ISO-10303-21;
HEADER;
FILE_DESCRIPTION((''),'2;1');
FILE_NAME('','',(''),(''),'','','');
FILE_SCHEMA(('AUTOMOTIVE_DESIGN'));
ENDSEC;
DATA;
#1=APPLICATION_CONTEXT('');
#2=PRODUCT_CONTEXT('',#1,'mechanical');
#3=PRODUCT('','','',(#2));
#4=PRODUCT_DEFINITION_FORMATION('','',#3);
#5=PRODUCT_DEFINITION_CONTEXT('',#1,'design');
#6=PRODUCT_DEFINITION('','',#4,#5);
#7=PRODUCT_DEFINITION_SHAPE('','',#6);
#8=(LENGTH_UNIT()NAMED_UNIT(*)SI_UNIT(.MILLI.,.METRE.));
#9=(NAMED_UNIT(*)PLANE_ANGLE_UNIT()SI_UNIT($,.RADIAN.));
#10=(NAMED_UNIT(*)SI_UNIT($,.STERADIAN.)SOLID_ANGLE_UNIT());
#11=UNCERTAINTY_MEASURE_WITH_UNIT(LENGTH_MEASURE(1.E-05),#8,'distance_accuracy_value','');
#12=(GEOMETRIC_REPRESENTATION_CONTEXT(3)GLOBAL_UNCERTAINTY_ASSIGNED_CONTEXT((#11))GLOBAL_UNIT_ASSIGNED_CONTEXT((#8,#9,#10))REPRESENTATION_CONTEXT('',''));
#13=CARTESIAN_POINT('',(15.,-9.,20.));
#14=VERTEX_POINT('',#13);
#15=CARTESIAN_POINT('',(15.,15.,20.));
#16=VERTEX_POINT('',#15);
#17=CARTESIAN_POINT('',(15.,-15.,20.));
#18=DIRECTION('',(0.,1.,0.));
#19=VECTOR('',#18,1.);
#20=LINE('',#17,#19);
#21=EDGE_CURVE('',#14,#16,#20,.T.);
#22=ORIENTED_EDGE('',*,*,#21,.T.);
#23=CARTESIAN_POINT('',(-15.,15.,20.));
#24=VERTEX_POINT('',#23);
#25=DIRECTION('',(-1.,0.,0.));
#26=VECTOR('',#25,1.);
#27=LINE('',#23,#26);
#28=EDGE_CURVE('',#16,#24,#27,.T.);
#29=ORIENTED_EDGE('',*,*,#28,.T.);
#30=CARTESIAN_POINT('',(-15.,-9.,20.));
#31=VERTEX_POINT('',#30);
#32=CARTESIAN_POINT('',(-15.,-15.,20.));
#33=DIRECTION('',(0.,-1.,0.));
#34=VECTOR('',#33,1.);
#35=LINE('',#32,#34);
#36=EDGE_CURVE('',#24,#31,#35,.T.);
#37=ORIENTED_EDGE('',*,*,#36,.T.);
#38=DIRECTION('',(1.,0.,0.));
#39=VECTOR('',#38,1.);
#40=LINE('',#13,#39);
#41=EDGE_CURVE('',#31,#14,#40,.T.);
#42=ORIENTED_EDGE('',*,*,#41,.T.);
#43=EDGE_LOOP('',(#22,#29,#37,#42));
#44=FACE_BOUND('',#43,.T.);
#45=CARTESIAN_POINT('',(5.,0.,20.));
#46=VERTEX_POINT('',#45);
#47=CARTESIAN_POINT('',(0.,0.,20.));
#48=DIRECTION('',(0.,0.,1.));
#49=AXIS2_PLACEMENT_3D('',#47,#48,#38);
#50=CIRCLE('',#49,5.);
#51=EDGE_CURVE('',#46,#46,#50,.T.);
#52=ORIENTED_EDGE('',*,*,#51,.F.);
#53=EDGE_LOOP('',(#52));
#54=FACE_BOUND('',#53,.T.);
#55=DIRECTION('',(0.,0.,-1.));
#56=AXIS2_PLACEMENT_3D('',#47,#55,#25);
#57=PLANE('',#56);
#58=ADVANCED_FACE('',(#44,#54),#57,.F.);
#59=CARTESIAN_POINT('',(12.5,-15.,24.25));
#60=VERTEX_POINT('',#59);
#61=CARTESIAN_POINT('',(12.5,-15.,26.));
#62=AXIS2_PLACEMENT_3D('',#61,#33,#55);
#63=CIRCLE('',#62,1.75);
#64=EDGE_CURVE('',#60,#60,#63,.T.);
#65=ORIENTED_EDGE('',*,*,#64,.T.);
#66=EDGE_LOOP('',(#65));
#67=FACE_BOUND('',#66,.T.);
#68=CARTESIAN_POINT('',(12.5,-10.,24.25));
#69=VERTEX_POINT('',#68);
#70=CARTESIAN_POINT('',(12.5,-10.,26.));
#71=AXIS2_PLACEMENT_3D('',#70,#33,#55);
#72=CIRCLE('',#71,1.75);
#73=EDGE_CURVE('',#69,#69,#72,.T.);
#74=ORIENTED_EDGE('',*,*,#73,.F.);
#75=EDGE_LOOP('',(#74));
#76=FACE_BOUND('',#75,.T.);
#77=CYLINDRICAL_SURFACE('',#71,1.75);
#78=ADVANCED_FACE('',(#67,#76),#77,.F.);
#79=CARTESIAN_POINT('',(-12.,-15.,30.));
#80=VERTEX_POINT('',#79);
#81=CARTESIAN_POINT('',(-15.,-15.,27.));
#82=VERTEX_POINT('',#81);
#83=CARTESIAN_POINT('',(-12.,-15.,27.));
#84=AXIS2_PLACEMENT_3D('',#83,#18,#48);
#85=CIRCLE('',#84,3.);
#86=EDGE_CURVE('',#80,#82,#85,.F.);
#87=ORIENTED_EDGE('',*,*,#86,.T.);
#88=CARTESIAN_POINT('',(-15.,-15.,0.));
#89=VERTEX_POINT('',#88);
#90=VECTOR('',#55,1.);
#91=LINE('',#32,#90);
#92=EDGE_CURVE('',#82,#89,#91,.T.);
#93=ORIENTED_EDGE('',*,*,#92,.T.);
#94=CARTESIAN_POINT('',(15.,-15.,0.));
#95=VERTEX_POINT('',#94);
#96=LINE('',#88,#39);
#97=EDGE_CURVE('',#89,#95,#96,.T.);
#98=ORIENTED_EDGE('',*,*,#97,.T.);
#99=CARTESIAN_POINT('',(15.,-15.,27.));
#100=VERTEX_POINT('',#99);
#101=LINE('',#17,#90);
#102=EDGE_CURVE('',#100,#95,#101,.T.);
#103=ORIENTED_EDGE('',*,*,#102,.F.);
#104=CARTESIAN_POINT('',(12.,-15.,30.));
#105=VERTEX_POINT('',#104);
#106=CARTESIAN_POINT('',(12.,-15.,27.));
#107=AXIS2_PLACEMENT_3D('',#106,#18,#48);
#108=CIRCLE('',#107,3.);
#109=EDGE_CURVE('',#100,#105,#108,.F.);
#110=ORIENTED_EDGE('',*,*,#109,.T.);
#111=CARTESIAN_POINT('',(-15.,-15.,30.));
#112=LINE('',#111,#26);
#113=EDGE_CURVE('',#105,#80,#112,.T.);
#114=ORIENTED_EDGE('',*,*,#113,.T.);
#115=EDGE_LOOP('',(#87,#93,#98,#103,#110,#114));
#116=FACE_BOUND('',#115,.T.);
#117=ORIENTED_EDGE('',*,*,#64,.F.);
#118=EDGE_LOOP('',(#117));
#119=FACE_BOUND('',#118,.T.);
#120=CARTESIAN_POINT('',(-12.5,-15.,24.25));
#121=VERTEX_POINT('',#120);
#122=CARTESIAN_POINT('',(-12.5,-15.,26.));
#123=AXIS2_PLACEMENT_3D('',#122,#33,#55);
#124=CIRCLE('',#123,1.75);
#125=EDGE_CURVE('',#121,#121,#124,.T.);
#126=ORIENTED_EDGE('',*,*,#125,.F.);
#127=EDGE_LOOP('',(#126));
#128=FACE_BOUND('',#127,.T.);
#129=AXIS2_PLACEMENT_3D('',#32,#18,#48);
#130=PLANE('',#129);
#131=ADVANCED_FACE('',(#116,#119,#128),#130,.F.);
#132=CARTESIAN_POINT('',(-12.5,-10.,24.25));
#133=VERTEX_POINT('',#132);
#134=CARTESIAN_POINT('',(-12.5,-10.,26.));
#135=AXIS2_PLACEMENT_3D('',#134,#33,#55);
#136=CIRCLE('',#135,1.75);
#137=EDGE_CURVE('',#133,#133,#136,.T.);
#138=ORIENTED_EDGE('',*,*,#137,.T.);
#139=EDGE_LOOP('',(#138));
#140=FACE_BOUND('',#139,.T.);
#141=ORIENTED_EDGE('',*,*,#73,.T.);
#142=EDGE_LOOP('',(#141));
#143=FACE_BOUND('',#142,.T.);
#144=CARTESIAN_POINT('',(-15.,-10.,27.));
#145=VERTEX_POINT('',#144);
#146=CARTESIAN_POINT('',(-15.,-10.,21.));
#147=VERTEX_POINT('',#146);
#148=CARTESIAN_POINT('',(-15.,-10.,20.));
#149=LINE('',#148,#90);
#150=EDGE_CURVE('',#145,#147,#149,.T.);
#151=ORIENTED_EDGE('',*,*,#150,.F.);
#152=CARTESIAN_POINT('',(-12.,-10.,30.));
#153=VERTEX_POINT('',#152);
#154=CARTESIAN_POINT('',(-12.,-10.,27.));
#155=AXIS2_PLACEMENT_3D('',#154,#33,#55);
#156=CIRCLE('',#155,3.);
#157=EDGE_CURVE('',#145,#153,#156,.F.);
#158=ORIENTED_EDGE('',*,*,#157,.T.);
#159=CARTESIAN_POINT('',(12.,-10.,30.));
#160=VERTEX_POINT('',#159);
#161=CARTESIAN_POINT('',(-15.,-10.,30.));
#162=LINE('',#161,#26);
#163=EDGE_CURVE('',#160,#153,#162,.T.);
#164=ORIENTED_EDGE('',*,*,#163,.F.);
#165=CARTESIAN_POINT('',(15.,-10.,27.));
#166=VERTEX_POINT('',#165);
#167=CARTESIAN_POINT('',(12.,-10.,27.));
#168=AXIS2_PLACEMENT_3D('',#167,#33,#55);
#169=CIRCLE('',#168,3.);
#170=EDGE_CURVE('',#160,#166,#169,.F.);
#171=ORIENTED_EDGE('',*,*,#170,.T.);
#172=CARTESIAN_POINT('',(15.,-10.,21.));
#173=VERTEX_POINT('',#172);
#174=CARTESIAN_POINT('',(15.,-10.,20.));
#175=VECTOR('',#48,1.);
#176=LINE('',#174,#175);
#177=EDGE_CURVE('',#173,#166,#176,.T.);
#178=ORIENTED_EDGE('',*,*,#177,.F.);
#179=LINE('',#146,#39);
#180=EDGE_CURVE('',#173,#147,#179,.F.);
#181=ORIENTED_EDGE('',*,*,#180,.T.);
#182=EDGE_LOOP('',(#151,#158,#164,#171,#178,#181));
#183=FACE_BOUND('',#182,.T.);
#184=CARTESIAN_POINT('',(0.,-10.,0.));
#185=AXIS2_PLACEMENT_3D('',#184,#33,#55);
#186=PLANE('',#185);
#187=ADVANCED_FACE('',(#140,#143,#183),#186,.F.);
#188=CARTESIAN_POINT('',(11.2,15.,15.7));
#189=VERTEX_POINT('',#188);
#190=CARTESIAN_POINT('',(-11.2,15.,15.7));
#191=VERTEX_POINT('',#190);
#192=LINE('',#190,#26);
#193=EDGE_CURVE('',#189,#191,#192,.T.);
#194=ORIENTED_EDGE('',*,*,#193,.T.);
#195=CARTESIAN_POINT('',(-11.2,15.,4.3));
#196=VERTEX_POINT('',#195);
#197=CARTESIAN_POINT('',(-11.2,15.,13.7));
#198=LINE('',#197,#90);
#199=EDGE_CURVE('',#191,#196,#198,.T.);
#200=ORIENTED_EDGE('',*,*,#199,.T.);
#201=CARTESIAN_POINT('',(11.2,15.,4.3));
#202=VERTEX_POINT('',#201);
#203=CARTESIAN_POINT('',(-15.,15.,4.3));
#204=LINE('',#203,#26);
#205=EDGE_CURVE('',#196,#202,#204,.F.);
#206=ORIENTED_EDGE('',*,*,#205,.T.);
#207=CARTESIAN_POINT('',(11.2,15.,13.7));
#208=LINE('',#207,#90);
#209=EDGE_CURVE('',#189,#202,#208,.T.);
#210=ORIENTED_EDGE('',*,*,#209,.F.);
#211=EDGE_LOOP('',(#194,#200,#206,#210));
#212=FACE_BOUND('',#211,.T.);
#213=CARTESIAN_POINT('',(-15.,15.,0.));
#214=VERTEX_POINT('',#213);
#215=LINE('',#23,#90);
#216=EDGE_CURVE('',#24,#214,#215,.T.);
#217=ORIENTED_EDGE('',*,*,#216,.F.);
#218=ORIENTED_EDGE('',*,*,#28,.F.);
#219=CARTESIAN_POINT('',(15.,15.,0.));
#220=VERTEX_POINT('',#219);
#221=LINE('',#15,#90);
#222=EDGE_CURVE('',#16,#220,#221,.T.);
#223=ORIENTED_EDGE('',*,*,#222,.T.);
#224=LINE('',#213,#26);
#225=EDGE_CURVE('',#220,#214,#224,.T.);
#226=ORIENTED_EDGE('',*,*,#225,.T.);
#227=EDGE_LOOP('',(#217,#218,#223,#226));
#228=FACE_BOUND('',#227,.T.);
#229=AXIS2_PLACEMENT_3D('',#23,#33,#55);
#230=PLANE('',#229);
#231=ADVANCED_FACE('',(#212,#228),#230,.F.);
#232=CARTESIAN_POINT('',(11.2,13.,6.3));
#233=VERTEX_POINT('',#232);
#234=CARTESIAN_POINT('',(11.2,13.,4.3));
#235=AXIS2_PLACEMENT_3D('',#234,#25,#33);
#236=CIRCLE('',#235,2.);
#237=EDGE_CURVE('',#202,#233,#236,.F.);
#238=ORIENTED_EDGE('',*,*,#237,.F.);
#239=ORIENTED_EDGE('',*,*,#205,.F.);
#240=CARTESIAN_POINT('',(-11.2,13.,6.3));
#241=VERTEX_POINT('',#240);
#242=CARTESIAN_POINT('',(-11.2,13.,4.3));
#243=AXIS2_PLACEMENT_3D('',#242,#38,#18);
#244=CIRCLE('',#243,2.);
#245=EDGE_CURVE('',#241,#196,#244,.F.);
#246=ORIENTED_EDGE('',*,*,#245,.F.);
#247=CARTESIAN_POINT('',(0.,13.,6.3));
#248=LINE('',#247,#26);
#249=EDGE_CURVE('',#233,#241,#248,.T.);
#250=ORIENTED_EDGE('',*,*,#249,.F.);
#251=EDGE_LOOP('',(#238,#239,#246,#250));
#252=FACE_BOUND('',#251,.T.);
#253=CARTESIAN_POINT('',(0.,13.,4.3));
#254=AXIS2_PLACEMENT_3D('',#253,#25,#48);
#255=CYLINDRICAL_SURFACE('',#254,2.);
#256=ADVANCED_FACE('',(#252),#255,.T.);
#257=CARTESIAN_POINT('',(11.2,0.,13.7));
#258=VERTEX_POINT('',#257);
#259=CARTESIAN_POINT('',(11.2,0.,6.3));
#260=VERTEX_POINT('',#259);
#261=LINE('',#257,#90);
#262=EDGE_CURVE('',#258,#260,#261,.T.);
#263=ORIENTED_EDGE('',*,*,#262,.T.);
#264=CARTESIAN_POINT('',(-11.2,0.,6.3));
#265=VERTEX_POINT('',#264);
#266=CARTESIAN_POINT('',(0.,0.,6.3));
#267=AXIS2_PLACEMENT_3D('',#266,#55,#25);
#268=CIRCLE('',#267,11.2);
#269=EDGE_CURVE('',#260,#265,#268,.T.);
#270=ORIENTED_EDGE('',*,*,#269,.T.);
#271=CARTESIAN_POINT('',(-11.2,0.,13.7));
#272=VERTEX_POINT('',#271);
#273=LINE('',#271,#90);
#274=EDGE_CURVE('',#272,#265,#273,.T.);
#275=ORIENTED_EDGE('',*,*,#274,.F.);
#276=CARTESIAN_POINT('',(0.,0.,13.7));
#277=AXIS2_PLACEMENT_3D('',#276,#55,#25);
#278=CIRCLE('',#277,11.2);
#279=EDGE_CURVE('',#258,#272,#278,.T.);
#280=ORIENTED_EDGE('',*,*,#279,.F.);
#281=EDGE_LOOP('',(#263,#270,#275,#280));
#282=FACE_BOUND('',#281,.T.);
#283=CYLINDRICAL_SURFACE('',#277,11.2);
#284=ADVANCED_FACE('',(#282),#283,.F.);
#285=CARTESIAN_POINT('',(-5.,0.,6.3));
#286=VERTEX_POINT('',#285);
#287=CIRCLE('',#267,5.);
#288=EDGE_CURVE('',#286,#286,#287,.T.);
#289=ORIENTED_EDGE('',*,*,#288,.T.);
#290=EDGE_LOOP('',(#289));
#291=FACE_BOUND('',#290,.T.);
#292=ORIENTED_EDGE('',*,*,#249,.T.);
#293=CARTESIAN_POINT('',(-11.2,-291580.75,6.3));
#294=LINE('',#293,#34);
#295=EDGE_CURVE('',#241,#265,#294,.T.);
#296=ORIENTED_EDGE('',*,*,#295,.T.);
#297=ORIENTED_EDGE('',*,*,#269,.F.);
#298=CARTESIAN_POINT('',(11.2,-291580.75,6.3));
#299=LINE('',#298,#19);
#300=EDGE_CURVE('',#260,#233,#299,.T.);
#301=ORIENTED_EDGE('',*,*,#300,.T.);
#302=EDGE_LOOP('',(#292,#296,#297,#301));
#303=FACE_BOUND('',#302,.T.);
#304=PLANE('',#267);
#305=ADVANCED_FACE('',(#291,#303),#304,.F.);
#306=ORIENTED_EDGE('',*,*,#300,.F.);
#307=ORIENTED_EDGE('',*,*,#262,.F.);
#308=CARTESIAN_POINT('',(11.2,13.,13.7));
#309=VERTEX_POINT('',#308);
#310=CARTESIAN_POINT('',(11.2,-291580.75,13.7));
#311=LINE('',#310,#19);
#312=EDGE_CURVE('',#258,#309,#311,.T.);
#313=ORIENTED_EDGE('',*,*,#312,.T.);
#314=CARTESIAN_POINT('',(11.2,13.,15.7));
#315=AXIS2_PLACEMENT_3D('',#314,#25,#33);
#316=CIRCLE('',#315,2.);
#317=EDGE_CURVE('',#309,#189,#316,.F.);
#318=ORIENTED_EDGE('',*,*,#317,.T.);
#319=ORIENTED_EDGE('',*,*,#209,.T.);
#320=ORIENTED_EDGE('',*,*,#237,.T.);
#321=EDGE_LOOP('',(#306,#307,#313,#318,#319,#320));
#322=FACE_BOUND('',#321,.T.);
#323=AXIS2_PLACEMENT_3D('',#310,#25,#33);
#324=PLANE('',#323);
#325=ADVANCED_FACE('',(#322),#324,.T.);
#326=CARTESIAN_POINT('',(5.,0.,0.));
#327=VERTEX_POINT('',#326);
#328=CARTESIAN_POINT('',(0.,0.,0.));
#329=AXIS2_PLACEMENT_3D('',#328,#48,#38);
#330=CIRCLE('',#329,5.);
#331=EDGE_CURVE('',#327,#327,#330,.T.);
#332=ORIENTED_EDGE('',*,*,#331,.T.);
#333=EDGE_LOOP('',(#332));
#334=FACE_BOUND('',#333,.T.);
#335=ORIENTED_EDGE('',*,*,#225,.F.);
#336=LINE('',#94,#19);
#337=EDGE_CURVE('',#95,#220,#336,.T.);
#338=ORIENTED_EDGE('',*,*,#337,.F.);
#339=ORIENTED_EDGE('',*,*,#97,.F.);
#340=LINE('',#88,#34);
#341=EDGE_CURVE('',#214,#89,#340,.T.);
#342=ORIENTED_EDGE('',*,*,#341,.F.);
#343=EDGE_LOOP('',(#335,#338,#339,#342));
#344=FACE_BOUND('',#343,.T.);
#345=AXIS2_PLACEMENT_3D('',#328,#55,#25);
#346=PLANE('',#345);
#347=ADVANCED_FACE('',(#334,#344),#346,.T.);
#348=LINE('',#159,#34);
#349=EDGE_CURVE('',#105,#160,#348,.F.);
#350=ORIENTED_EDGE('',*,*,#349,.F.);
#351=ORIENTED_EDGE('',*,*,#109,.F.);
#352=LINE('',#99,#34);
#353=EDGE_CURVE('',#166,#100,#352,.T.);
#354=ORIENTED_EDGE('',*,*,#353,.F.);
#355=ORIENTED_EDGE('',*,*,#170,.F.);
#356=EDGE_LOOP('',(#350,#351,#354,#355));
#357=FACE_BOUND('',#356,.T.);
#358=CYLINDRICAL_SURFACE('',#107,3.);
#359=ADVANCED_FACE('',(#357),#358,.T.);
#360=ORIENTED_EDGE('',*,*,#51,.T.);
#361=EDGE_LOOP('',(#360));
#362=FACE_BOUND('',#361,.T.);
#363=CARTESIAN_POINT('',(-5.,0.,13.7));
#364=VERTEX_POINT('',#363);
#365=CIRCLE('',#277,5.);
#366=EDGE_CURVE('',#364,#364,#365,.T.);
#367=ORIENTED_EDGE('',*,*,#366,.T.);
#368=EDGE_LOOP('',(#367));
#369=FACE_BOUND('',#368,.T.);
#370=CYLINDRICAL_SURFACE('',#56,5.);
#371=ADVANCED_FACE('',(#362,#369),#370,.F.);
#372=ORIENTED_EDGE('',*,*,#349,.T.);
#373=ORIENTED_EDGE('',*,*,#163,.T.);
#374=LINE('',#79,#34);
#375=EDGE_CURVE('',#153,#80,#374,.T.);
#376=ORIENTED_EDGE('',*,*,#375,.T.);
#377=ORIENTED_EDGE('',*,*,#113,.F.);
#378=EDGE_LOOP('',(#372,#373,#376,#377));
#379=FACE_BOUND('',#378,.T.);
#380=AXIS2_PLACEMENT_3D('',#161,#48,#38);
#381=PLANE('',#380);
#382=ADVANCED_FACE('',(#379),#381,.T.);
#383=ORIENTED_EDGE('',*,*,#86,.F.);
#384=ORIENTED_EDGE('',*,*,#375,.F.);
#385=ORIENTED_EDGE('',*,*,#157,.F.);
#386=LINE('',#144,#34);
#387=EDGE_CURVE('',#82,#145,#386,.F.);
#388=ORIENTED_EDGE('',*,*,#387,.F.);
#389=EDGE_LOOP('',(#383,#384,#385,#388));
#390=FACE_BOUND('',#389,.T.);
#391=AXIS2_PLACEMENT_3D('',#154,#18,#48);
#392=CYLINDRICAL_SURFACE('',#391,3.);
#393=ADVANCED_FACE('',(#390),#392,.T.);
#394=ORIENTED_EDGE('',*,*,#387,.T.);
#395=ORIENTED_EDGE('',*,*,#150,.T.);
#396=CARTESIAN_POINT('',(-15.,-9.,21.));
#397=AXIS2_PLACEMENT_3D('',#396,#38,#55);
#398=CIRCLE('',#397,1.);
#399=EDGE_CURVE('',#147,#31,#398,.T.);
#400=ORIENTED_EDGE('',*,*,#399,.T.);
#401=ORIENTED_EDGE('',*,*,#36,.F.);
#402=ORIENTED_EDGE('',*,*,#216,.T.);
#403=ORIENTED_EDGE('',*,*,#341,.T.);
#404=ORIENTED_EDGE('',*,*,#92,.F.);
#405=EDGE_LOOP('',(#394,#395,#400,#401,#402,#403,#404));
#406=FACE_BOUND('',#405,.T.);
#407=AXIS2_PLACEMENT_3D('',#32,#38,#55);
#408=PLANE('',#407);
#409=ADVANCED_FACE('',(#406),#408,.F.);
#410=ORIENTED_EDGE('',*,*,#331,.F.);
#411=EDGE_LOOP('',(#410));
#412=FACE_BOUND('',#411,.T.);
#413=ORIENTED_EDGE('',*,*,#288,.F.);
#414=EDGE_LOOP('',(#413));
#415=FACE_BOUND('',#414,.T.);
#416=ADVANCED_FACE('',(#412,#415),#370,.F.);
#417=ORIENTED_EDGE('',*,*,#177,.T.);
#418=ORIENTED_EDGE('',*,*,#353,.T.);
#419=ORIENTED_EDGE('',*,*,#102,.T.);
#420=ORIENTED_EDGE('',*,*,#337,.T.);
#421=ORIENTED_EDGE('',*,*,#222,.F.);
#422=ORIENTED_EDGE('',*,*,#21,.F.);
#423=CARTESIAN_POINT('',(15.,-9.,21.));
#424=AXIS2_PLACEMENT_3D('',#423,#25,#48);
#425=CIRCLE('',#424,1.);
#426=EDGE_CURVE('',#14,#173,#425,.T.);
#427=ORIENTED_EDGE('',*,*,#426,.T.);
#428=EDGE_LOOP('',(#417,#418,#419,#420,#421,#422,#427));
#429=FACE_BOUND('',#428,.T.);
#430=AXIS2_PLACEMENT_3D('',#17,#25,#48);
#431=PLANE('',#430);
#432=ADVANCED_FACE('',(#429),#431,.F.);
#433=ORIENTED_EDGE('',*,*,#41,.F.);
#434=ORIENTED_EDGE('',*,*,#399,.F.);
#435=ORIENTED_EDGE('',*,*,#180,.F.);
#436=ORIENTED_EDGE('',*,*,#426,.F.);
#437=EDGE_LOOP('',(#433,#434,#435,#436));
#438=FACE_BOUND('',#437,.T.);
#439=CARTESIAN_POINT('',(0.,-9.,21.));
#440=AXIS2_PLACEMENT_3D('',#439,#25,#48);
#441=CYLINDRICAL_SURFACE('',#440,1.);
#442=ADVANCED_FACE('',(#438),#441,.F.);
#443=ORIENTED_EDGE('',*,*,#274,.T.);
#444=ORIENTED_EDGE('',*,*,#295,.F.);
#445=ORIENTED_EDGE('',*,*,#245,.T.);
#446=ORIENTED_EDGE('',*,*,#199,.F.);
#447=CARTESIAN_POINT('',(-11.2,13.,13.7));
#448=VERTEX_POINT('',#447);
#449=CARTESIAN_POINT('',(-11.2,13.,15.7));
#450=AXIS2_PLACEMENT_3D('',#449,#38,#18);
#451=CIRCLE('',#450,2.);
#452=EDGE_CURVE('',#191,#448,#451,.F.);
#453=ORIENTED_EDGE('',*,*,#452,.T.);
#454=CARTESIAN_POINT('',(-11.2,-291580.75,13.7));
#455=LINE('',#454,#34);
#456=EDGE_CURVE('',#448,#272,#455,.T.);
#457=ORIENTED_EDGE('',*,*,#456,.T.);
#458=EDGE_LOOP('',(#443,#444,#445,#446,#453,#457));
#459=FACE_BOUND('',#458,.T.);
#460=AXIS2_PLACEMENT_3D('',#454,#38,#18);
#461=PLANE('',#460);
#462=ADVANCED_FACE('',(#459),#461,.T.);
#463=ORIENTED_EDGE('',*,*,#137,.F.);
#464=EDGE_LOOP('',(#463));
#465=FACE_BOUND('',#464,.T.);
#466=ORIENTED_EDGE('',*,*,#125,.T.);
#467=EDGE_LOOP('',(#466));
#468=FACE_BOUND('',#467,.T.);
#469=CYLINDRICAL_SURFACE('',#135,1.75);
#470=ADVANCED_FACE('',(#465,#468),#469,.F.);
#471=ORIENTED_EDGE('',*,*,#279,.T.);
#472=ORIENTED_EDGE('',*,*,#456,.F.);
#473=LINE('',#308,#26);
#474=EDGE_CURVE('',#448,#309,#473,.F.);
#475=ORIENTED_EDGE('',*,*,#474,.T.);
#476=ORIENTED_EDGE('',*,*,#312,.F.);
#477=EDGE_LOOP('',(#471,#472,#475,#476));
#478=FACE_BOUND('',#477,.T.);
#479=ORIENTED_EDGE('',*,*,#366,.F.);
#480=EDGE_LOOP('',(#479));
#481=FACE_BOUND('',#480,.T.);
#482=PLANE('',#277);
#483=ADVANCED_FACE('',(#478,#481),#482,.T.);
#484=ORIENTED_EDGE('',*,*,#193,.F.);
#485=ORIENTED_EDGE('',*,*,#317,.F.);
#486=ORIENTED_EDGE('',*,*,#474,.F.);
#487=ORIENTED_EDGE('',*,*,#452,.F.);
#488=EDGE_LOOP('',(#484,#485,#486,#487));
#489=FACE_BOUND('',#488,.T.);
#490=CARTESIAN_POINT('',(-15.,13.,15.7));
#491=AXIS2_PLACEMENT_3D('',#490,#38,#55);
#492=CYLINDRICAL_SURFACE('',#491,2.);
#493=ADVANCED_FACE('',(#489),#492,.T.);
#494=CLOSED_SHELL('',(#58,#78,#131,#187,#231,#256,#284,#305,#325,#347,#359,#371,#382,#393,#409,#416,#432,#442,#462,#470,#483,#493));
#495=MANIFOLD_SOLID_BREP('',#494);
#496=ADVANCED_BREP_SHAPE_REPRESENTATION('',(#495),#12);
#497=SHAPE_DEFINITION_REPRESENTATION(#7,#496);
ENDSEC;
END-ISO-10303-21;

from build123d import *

# Parameters (mm, degrees)
SKETCH2_W           = 30
SKETCH2_H           = 30
SKETCH2_R           = 5
BOSS_EXTRUDE1_DEPTH = 20
CUT_EXTRUDE2_START  = 10
CUT_EXTRUDE2_DEPTH  = 3.7
SKETCH4_W           = 30
SKETCH4_H           = 10
SKETCH4_R           = 1.75
BOSS_EXTRUDE2_DEPTH = 5
FILLET2_R           = 3
FILLET3_R           = 1
FILLET4_R           = 2


with BuildPart() as part:
    # Sketch2 → Boss-Extrude1 (new body)
    with BuildSketch(Plane.XY):
        Rectangle(SKETCH2_W, SKETCH2_H)
        Circle(SKETCH2_R, mode=Mode.SUBTRACT)
    extrude(amount=BOSS_EXTRUDE1_DEPTH)

    # Sketch3 → Cut-Extrude2 (cut, symmetric)
    with BuildSketch(Plane.XY.offset(CUT_EXTRUDE2_START)):
        with BuildLine():
            Line((-11.2, 15), (-11.2, 0))
            ThreePointArc((-11.2, 0), (0, -11.2), (11.2, 0))
            Line((11.2, 0), (11.2, 15))
            Line((11.2, 15), (-11.2, 15))
        make_face()
    extrude(amount=CUT_EXTRUDE2_DEPTH, both=True, mode=Mode.SUBTRACT)

    # Sketch4 → Boss-Extrude2 (add)
    with BuildSketch(Plane.XZ.offset(15)):
        with Locations((0, 25)):
            Rectangle(SKETCH4_W, SKETCH4_H)
        with Locations((-12.5, 26)):
            Circle(SKETCH4_R, mode=Mode.SUBTRACT)
        with Locations((12.5, 26)):
            Circle(SKETCH4_R, mode=Mode.SUBTRACT)
    extrude(amount=-BOSS_EXTRUDE2_DEPTH)

    # Fillet2
    fillet2_edges = [part.edges().sort_by_distance(p)[0] for p in [
        (-15, -12.5, 30),
        (15, -12.5, 30),
    ]]
    fillet(fillet2_edges, radius=FILLET2_R)

    # Fillet3
    fillet3_edges = [part.edges().sort_by_distance(p)[0] for p in [
        (0, -10, 20),
    ]]
    fillet(fillet3_edges, radius=FILLET3_R)

    # Fillet4
    fillet4_edges = [part.edges().sort_by_distance(p)[0] for p in [
        (0, 15, 6.3),
        (0, 15, 13.7),
    ]]
    fillet(fillet4_edges, radius=FILLET4_R)


solid = part.part
